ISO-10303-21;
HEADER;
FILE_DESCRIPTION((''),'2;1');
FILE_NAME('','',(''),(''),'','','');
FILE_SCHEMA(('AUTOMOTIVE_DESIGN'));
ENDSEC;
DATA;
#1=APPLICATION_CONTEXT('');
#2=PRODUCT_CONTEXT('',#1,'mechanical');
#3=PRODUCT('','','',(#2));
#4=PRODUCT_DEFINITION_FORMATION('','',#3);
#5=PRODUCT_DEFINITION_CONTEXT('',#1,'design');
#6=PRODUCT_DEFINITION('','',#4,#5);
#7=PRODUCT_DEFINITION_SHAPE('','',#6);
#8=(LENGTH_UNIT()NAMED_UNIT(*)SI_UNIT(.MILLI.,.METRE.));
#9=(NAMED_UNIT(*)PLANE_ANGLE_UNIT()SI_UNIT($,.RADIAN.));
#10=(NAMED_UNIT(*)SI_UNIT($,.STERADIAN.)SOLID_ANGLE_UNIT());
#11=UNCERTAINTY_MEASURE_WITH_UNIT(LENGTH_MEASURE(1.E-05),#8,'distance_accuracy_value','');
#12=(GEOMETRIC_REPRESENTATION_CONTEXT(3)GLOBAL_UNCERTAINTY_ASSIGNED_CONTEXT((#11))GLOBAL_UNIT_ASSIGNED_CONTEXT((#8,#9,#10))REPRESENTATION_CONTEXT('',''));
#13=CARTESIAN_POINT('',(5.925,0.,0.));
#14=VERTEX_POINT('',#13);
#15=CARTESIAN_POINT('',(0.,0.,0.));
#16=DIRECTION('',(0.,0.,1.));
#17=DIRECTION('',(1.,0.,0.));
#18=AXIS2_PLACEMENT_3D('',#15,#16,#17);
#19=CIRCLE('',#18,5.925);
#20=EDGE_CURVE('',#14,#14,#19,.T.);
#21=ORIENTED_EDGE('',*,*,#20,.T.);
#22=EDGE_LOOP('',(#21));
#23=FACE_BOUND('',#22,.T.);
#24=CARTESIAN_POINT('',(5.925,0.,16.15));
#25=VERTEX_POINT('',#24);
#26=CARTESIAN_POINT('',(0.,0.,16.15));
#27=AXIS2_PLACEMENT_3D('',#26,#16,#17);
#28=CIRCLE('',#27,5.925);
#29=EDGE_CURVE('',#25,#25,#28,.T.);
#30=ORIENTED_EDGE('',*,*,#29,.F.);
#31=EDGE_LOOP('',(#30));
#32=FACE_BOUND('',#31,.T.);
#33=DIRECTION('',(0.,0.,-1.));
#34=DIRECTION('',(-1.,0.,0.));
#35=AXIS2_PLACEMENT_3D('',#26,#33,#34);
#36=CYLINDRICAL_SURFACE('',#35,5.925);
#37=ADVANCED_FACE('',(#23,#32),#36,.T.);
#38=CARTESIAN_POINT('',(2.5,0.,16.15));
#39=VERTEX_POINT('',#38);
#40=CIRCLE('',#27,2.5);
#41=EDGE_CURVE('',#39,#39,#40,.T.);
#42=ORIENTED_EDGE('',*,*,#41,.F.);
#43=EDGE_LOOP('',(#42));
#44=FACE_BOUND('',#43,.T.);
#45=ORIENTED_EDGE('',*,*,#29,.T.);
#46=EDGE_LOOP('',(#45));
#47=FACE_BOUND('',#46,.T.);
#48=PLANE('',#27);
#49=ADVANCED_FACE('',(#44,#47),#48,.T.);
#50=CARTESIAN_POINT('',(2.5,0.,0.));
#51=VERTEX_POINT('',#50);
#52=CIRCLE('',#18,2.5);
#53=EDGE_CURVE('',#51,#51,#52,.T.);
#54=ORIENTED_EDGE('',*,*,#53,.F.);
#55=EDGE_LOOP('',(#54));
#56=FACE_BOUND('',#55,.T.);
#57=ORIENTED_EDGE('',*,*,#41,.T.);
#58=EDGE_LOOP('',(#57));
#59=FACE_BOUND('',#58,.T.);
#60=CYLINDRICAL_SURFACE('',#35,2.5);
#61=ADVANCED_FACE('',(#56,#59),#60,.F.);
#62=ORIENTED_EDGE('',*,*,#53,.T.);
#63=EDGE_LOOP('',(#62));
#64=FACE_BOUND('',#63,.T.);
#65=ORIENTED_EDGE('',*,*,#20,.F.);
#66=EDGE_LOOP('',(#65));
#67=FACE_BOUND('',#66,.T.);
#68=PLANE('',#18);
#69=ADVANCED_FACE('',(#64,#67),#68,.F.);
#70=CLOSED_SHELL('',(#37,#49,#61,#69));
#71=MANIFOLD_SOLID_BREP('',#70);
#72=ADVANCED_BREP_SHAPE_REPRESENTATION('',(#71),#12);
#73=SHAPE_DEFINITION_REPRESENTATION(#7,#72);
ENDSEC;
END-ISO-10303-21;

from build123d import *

# Parameters (mm, degrees)
ESBO_O1_R                = 5.925
ESBO_O1_R_2              = 2.5
RESSALTO_EXTRUS_O1_DEPTH = 16.15


with BuildPart() as part:
    # Esboço1 → Ressalto-extrusão1 (new body)
    with BuildSketch(Plane.XY):
        Circle(ESBO_O1_R)
        Circle(ESBO_O1_R_2, mode=Mode.SUBTRACT)
    extrude(amount=RESSALTO_EXTRUS_O1_DEPTH)


solid = part.part
